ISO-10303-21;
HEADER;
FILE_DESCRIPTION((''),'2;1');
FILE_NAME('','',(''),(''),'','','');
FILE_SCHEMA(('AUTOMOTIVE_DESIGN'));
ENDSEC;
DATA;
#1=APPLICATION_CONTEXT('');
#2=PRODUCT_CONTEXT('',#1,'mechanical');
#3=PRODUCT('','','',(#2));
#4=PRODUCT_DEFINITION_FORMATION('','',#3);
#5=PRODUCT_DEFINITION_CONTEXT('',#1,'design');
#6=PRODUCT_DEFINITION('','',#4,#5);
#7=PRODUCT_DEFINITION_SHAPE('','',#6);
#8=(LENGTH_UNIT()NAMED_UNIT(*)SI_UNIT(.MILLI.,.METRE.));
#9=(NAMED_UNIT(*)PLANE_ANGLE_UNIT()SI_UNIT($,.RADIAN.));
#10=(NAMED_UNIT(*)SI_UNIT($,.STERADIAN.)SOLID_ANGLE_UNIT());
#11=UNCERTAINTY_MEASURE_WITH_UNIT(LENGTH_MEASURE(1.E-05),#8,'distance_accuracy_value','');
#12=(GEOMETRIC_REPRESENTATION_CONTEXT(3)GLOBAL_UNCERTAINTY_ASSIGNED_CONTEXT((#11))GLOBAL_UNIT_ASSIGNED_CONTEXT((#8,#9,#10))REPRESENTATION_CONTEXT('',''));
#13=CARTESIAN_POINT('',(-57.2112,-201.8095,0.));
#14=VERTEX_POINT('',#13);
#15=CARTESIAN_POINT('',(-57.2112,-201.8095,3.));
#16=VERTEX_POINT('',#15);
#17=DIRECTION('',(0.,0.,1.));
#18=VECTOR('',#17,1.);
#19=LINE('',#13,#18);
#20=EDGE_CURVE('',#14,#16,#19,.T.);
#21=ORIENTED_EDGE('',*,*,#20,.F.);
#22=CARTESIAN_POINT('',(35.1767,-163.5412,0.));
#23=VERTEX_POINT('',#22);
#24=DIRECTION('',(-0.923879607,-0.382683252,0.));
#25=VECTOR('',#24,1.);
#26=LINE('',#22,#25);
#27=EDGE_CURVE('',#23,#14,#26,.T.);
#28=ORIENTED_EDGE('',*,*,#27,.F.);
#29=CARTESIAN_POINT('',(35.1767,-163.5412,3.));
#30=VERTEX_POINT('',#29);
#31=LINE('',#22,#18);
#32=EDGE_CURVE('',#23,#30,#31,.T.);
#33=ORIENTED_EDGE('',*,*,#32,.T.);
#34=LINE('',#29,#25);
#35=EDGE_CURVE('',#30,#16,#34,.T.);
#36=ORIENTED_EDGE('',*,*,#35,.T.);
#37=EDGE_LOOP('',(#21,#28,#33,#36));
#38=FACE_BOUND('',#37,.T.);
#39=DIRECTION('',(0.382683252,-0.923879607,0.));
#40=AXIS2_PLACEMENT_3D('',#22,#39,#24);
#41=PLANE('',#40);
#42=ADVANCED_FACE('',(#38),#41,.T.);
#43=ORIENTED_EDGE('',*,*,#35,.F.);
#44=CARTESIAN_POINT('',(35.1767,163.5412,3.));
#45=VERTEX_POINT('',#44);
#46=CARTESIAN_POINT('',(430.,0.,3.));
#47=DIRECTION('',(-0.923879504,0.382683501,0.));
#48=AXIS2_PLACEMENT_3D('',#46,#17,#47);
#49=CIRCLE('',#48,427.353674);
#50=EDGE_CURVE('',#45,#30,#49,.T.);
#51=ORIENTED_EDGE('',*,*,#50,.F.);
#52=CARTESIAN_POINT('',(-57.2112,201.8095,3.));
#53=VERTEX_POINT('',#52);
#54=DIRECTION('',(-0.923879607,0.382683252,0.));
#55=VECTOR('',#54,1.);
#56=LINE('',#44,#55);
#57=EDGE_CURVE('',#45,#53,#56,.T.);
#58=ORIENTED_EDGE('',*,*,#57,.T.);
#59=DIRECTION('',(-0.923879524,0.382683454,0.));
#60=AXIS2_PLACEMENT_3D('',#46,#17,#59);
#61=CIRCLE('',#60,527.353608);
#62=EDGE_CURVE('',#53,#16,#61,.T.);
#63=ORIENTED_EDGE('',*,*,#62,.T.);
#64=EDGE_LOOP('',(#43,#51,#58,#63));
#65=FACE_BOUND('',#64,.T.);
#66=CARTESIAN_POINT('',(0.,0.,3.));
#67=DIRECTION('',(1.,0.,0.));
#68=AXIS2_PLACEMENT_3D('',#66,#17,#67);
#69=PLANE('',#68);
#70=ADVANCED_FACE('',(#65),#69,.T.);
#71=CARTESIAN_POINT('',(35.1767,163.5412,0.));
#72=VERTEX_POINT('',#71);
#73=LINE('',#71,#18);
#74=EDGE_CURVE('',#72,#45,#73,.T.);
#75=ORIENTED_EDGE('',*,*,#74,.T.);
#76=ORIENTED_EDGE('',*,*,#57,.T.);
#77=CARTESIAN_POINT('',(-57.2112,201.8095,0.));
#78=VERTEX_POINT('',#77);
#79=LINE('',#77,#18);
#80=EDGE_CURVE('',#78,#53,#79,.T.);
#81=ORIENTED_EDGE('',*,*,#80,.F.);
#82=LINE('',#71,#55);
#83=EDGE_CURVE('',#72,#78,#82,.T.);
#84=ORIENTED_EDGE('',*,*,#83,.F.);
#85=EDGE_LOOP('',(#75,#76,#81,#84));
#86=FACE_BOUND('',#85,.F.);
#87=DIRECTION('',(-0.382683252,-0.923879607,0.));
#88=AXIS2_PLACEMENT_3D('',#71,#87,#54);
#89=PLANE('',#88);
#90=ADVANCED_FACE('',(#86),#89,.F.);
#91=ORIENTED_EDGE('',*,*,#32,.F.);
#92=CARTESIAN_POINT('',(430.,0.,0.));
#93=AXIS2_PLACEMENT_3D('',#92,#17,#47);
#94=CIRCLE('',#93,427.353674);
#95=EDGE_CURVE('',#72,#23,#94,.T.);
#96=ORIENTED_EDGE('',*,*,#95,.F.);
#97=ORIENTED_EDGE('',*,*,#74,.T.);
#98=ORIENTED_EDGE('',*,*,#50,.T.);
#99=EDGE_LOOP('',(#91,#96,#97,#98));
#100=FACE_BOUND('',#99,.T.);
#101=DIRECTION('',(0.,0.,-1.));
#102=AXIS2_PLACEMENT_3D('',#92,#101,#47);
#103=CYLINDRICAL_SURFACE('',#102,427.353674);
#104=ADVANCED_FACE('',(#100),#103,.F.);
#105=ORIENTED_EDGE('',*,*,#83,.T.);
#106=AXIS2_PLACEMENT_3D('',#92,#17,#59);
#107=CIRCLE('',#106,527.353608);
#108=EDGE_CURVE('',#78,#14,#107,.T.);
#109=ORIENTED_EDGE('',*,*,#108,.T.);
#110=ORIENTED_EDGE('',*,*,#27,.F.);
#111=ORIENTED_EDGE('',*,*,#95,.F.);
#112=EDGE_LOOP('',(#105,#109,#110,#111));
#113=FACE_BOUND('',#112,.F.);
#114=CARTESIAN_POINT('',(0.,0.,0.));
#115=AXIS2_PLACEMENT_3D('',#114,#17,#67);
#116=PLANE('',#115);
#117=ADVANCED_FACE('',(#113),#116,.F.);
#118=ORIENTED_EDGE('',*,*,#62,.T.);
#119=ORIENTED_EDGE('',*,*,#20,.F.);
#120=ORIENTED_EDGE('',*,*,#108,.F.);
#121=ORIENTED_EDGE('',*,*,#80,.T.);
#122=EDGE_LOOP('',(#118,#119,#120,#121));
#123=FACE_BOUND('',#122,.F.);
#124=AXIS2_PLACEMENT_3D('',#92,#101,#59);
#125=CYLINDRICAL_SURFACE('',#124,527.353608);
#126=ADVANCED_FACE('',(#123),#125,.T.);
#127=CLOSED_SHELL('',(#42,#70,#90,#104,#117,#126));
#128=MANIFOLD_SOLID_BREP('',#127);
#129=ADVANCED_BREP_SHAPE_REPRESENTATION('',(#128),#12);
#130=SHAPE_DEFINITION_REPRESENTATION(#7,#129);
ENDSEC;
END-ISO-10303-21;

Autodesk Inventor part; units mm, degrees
ref_plane "YZ Plane" through (0, 0, 0) normal (1, 0, 0) x (0, 1, 0)
ref_plane "XZ Plane" through (0, 0, 0) normal (0, 1, 0) x (-1, 0, 0)
ref_plane "Work Plane1" through (0, 0, 0) normal (0, 0, 1) x (1, 0, 0)
sketch "Sketch1" plane through (0, 0, 0) normal (0, 0, 1) x (1, 0, 0)
  line L0 (-300, -300) -> (-300, 300) construction
  line L1 (-300, 300) -> (300, 300) construction
  line L2 (300, 300) -> (300, -300) construction
  line L3 (300, -300) -> (-300, -300) construction
  line L4 (-254.3277, 283.4578) -> (-250.5009, 292.6966) construction
  line L5 (-250.5009, 292.6966) -> (303.8268, 63.0866) construction
  line L6 (303.8268, 63.0866) -> (300, 53.8478) construction
  line L7 (300, 53.8478) -> (-254.3277, 283.4578) construction
  line L8 (300, -53.8478) -> (303.8268, -63.0866) construction
  line L9 (303.8268, -63.0866) -> (-250.5009, -292.6966) construction
  line L10 (-250.5009, -292.6966) -> (-254.3277, -283.4578) construction
  line L11 (-254.3277, -283.4578) -> (300, -53.8478) construction
  line L12 (-254.3277, 283.4578) -> (-250.5009, 292.6966) construction
  line L13 (-250.5009, 292.6966) -> (303.8268, 63.0866) construction
  line L14 (303.8268, 63.0866) -> (300, 53.8478) construction
  line L15 (300, 53.8478) -> (-254.3277, 283.4578) construction
  line L16 (300, -53.8478) -> (303.8268, -63.0866) construction
  line L17 (303.8268, -63.0866) -> (-250.5009, -292.6966) construction
  line L18 (-250.5009, -292.6966) -> (-254.3277, -283.4578) construction
  line L19 (-254.3277, -283.4578) -> (300, -53.8478) construction
  arc A0 (34.4092, 161.6757) -> (34.4092, -161.6757) centre (430, 0) ccw construction
  line L20 (35.1767, 163.5412) -> (-57.2112, 201.8095)
  line L21 (35.1767, -163.5412) -> (-57.2112, -201.8095)
  arc A1 (35.1767, 163.5412) -> (35.1767, -163.5412) centre (430, 0) ccw
  arc A2 (-57.2112, 201.8095) -> (-57.2112, -201.8095) centre (430, 0) ccw
  point P0 (0, 0)
  dimension "d2" = 100
extrude "Extrusion1" add sketch "Sketch1" along normal blind 3
properties part number "rearformer" material "Wood (Cherry)"
